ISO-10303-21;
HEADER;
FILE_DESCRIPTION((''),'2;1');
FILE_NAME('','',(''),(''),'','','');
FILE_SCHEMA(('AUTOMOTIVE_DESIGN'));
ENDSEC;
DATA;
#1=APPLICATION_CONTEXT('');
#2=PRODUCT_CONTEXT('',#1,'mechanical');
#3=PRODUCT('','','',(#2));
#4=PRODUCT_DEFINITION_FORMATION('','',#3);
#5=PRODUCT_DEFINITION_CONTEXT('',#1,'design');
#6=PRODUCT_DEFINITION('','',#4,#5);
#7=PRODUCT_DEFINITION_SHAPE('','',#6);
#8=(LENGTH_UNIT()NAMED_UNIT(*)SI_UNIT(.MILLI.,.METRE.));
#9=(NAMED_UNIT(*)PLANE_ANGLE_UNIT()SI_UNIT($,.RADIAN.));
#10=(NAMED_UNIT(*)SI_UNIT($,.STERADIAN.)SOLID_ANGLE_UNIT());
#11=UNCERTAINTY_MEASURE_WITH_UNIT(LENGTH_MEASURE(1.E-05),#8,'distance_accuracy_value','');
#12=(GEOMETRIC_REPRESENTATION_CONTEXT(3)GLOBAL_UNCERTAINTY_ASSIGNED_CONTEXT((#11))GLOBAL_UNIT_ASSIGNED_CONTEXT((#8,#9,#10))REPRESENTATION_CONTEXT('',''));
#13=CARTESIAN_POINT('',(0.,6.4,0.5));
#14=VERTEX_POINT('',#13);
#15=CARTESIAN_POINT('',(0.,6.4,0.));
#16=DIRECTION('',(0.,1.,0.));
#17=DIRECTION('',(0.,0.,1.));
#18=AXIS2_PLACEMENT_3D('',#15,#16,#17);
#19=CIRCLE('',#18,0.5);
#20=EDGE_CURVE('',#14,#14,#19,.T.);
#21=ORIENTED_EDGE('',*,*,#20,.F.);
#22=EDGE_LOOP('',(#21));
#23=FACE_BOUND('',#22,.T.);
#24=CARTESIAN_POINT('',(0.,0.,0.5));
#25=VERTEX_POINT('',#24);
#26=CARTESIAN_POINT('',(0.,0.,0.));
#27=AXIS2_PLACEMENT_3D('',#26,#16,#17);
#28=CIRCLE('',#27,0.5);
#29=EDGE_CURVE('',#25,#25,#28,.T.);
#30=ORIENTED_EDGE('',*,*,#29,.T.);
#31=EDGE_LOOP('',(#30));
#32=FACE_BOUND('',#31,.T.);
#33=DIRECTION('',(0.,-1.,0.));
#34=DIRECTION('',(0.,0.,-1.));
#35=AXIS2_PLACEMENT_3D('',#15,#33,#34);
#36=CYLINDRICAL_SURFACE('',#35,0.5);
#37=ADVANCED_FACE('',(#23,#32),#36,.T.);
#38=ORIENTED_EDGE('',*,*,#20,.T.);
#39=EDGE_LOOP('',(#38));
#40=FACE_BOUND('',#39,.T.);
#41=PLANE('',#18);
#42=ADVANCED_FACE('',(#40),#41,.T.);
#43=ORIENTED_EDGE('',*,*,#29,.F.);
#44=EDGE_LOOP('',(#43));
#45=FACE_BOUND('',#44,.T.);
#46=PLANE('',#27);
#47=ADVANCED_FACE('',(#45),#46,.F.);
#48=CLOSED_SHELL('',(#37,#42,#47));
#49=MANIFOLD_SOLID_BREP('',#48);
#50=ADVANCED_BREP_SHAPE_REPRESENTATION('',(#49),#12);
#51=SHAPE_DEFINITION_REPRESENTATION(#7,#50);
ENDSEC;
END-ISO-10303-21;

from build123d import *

# Parameters (mm, degrees)
CROQUIS1_R              = 0.5
SALIENTE_EXTRUIR1_DEPTH = 6.4


with BuildPart() as part:
    # Croquis1 → Saliente-Extruir1 (new body)
    with BuildSketch(Plane(origin=(0, 0, 0), x_dir=(1, 0, 0), z_dir=(0, 1, 0))):
        Circle(CROQUIS1_R)
    extrude(amount=SALIENTE_EXTRUIR1_DEPTH)


solid = part.part
